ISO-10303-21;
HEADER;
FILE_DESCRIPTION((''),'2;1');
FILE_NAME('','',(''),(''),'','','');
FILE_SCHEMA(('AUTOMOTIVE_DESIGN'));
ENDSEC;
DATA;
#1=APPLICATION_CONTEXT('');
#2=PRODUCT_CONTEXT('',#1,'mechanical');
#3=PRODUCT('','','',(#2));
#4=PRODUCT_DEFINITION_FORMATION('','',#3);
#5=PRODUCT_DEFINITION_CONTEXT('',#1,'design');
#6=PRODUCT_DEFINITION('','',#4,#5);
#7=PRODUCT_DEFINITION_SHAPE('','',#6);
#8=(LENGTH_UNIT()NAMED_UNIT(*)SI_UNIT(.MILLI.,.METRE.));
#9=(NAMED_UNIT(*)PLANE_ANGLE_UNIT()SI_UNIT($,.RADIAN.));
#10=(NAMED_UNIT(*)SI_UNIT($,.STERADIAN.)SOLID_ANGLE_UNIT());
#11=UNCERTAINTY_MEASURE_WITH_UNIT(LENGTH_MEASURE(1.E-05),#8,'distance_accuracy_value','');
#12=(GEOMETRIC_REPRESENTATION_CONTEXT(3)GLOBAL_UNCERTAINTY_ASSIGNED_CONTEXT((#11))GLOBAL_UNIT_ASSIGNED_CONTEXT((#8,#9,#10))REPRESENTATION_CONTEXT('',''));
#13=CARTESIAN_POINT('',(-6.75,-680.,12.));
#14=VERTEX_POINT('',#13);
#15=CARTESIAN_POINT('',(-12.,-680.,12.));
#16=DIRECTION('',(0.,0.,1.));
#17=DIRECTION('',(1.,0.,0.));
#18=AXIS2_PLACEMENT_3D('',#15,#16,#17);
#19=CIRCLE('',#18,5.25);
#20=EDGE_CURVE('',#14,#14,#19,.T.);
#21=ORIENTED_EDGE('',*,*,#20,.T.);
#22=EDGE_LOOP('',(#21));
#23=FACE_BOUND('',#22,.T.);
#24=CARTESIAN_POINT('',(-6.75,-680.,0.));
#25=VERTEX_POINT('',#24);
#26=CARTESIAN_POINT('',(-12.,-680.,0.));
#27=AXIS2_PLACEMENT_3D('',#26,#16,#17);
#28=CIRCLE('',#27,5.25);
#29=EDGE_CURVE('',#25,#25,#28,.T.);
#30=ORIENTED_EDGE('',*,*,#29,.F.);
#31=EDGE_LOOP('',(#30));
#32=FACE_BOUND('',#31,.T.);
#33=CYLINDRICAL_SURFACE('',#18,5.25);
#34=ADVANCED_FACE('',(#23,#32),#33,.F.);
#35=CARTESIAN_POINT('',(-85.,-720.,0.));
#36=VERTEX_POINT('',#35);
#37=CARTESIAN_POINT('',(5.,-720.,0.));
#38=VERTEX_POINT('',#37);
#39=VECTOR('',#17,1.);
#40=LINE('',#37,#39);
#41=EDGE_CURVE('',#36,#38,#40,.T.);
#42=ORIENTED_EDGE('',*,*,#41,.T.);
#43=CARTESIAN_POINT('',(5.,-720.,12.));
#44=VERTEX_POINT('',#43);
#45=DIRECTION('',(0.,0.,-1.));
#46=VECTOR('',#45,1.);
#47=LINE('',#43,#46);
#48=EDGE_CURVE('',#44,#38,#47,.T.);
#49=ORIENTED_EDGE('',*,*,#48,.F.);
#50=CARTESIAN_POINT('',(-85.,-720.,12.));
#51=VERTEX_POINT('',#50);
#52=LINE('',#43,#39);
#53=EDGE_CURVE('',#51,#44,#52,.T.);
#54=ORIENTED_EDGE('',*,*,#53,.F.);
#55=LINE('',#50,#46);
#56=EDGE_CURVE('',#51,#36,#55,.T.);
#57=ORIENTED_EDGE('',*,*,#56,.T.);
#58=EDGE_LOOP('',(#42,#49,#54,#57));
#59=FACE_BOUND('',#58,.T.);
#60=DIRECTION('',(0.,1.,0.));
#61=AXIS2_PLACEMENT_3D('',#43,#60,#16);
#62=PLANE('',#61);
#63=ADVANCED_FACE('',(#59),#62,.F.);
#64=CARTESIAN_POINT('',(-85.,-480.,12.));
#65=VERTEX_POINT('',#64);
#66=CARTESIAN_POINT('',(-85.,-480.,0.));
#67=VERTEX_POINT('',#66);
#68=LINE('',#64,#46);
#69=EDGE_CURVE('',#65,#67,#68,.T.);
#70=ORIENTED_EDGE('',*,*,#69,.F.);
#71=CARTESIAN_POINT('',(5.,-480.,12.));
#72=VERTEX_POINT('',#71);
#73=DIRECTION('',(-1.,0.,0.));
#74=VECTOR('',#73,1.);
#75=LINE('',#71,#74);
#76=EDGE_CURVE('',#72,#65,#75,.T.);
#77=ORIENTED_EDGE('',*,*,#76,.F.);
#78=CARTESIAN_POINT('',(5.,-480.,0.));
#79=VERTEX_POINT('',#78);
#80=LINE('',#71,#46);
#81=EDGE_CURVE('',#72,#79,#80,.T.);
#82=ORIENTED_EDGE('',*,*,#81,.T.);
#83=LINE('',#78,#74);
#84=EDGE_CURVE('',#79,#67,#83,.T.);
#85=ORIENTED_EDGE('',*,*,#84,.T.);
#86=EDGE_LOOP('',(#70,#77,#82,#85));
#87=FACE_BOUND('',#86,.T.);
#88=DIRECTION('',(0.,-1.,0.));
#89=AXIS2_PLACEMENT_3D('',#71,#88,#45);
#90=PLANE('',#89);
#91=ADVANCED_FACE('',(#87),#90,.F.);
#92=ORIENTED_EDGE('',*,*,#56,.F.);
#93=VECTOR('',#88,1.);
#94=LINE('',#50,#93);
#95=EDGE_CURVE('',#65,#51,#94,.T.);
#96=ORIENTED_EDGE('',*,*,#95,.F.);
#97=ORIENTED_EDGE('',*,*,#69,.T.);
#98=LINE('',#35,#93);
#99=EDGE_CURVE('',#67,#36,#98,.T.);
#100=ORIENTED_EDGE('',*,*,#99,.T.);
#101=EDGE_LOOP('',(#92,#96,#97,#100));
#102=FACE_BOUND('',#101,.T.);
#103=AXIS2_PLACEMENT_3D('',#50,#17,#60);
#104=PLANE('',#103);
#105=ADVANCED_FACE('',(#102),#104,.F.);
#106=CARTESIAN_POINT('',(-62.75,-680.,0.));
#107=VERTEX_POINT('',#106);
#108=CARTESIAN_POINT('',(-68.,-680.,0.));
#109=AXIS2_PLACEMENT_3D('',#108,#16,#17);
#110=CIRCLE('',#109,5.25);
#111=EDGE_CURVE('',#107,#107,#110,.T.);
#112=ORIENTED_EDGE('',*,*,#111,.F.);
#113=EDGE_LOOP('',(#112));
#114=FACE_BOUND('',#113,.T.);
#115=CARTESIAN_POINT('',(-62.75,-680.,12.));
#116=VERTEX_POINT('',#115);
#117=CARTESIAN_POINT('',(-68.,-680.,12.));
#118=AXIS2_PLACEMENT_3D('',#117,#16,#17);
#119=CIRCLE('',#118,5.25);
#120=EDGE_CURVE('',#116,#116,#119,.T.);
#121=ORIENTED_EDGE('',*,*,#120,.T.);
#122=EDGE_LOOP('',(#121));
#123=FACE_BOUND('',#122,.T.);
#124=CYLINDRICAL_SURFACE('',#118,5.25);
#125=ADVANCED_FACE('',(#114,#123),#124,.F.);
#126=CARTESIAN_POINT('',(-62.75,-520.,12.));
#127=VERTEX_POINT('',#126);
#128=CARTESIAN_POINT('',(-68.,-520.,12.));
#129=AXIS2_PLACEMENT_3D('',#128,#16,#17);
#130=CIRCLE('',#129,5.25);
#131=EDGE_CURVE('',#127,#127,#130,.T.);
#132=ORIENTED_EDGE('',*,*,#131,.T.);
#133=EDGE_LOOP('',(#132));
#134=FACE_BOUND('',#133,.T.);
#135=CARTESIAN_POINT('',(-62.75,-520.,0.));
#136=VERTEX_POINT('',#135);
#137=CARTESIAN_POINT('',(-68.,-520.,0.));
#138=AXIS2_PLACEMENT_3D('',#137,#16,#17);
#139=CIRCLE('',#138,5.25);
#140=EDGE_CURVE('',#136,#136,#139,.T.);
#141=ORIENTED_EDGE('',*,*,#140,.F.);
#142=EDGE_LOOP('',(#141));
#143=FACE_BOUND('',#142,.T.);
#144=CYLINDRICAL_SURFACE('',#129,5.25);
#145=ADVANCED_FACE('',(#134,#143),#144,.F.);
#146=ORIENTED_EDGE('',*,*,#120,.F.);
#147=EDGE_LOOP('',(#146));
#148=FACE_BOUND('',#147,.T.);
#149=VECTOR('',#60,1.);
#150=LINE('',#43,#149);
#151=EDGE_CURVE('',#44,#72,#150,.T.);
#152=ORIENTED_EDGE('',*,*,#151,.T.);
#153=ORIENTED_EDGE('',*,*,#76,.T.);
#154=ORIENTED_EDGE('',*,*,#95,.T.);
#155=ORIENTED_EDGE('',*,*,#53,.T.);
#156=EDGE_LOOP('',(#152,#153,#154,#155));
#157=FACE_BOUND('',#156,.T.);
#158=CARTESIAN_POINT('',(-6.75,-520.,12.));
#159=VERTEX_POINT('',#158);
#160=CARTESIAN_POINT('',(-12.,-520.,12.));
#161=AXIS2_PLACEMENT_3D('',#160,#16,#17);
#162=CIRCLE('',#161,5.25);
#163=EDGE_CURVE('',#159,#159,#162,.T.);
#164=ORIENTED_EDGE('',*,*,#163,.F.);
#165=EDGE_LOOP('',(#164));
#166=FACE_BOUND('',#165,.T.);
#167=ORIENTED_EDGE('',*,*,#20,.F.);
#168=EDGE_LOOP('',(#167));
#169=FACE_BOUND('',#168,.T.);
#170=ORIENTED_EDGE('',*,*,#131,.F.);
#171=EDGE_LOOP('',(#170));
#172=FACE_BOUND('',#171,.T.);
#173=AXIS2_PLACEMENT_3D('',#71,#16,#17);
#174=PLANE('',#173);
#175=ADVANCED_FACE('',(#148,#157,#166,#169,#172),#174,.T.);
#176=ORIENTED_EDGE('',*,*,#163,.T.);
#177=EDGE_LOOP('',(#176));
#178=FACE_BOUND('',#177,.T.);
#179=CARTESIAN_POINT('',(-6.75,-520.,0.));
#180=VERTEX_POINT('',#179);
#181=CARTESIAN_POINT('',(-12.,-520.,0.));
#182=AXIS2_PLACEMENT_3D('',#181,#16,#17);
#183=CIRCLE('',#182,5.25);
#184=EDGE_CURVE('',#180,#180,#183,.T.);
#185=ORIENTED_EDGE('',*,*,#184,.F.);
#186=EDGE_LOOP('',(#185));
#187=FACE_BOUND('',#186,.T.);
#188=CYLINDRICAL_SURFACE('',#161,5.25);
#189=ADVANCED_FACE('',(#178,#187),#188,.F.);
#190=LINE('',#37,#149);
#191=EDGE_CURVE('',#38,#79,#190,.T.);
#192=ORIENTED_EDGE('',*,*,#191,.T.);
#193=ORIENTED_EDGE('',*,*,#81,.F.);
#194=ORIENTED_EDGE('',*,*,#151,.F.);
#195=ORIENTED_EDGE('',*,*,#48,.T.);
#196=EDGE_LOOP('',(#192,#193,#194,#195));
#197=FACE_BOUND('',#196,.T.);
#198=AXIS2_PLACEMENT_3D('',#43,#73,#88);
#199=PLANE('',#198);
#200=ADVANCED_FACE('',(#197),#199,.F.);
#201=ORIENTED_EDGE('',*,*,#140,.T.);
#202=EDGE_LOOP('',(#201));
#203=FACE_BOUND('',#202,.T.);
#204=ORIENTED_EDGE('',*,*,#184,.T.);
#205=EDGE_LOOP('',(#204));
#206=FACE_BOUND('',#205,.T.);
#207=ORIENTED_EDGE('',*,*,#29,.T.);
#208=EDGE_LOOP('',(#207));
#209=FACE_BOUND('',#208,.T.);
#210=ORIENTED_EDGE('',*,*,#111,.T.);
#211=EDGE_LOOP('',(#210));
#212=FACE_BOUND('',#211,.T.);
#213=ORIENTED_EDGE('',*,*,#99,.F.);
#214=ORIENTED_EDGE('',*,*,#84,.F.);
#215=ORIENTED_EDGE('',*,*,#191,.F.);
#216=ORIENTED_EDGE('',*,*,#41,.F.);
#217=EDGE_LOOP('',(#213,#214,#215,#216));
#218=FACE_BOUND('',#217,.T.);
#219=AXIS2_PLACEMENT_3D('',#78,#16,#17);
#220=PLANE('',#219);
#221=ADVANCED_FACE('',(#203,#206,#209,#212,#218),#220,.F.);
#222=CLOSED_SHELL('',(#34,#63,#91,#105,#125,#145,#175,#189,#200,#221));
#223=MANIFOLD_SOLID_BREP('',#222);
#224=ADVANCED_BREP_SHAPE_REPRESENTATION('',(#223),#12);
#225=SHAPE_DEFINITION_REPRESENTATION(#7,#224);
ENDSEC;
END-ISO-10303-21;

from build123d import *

# Parameters (mm, degrees)
SZKIC1_W                    = 90
SZKIC1_H                    = 240
DODANIE_WYCI_GNI_CIE1_DEPTH = 12
OTW_R_GWINTOWANY_M12X1_51_D = 10.5


with BuildPart() as part:
    # Szkic1 → Dodanie-wyciągnięcie1 (new body)
    with BuildSketch(Plane.XY):
        with Locations((-40, -600)):
            Rectangle(SZKIC1_W, SZKIC1_H)
    extrude(amount=DODANIE_WYCI_GNI_CIE1_DEPTH)

    # Otwór gwintowany M12x1.51 (through all)
    with Locations(Plane.XY.offset(12)):
        with Locations((-68, -520), (-68, -680), (-12, -680), (-12, -520)):
            Hole(OTW_R_GWINTOWANY_M12X1_51_D / 2)


solid = part.part
